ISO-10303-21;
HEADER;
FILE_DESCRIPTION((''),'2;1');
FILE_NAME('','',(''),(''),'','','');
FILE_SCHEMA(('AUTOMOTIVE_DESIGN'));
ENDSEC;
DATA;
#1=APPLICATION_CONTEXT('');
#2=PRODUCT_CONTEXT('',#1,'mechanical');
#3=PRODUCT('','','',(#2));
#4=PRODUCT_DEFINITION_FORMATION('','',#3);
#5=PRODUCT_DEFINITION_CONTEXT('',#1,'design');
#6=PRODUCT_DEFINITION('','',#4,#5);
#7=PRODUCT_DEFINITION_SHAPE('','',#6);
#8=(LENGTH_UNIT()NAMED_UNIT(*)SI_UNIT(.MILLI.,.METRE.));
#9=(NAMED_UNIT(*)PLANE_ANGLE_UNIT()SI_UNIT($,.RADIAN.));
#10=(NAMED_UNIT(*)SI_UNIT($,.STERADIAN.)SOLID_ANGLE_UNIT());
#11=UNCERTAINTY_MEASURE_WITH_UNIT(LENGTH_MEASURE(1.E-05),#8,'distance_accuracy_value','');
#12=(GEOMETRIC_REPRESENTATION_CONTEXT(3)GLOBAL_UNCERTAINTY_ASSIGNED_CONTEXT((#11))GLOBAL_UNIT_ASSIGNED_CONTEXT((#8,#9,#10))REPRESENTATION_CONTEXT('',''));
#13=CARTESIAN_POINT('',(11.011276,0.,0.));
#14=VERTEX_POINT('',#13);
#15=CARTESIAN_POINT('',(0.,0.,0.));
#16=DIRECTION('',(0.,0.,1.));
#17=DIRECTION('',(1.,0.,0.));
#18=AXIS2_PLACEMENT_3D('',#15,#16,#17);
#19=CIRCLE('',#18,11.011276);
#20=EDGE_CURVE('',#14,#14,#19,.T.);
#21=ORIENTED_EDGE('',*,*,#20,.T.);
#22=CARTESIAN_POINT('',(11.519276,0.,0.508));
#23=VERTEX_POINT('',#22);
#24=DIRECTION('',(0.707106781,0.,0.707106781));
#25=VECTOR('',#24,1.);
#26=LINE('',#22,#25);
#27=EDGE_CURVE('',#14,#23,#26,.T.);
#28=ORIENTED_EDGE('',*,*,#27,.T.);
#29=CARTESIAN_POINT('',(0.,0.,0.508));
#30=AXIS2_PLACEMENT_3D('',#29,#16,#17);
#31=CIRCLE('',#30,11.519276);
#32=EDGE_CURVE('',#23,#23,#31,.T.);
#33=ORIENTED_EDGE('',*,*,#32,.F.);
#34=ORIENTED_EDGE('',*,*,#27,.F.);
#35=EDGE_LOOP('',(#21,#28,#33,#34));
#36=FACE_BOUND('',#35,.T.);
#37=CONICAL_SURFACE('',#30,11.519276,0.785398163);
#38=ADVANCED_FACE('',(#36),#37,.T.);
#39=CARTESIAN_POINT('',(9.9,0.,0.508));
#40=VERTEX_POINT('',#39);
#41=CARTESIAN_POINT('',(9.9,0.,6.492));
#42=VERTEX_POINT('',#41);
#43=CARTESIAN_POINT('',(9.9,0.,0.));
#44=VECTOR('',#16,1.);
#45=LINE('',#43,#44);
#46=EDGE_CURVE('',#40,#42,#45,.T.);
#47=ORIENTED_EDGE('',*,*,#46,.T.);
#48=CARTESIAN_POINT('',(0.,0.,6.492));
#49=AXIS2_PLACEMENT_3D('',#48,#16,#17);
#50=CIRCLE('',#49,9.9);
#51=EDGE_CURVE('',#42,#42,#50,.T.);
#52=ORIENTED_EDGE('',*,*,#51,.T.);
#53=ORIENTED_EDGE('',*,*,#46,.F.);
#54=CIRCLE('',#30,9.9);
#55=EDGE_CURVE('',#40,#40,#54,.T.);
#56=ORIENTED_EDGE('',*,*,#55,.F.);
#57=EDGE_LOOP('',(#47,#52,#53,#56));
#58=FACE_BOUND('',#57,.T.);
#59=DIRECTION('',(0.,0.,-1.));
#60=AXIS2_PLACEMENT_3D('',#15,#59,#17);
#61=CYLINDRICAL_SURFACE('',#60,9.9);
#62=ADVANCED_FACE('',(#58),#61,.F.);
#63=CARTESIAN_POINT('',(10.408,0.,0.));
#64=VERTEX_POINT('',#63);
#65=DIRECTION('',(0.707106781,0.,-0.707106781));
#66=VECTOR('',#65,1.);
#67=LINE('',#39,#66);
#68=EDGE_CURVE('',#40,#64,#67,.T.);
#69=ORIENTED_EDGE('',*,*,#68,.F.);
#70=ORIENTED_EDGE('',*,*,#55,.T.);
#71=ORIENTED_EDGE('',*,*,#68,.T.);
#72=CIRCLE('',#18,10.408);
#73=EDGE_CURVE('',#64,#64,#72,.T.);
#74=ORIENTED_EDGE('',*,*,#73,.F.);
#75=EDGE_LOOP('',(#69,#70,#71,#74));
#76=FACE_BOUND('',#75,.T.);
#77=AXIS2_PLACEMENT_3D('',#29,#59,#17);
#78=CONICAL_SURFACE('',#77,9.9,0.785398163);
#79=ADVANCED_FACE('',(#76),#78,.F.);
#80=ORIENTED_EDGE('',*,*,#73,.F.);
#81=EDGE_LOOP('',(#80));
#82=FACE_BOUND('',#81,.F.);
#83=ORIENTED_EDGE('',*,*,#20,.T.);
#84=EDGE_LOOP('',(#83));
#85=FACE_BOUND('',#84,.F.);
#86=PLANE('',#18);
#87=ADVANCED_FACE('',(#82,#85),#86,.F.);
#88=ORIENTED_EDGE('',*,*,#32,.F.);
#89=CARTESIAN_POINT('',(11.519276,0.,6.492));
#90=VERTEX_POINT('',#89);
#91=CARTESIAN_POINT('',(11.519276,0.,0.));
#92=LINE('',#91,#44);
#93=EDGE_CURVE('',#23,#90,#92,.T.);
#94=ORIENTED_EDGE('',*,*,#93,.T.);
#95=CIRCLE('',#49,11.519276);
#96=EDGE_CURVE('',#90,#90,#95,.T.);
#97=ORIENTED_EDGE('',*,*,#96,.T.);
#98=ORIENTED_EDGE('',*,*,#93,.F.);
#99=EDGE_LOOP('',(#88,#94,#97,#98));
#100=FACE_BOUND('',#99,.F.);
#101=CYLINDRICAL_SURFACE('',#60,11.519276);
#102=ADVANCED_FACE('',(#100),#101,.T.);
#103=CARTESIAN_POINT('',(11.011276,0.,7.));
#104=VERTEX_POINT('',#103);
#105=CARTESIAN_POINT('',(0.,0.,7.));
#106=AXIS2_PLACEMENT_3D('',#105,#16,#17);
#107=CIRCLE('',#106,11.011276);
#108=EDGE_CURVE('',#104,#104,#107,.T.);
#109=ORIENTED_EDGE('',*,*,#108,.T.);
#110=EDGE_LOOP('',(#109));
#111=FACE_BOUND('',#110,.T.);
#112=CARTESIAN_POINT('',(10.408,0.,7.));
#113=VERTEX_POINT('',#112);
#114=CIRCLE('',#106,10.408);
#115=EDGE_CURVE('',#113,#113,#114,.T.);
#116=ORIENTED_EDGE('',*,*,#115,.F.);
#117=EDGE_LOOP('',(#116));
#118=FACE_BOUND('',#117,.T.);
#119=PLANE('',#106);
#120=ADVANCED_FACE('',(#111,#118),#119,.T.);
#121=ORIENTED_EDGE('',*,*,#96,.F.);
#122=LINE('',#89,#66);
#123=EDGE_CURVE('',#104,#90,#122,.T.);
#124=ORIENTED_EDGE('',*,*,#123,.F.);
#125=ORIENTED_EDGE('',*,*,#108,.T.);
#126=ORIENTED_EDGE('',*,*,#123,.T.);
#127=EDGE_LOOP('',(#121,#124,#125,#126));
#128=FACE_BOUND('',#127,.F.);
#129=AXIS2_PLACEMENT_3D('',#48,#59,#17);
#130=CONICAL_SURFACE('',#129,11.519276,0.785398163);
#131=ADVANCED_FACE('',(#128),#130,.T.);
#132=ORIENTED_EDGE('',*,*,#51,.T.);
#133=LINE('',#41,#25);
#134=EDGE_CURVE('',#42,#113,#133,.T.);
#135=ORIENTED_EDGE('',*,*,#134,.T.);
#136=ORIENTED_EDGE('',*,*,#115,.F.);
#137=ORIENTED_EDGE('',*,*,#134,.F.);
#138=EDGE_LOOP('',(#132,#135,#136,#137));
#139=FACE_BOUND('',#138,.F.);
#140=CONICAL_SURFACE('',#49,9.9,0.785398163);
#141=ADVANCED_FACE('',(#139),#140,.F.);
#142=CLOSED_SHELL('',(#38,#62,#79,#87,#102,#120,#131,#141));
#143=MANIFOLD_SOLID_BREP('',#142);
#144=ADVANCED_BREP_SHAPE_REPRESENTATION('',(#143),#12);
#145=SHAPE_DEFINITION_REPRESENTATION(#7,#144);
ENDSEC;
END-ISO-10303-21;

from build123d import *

# Parameters (mm, degrees)
F0_R     = 11.519276
F0_R_2   = 9.9
F1_DEPTH = 7
F2_SIZE  = 0.508
F3_SIZE  = 0.508


with BuildPart() as f1:
    # F0 (on Top) → F1 (new body)
    with BuildSketch(Plane.XY):
        Circle(F0_R)
        Circle(F0_R_2, mode=Mode.SUBTRACT)
    extrude(amount=F1_DEPTH)

    # F2
    f2_edges = [f1.edges().sort_by_distance(p)[0] for p in [
        (-9.9, 0, 0),
        (-9.9, 0, 7),
    ]]
    chamfer(f2_edges, length=F2_SIZE)

    # F3
    f3_edges = [f1.edges().sort_by_distance(p)[0] for p in [
        (-11.519276, 0, 7),
        (-11.519276, 0, 0),
    ]]
    chamfer(f3_edges, length=F3_SIZE)


solid = f1.part
